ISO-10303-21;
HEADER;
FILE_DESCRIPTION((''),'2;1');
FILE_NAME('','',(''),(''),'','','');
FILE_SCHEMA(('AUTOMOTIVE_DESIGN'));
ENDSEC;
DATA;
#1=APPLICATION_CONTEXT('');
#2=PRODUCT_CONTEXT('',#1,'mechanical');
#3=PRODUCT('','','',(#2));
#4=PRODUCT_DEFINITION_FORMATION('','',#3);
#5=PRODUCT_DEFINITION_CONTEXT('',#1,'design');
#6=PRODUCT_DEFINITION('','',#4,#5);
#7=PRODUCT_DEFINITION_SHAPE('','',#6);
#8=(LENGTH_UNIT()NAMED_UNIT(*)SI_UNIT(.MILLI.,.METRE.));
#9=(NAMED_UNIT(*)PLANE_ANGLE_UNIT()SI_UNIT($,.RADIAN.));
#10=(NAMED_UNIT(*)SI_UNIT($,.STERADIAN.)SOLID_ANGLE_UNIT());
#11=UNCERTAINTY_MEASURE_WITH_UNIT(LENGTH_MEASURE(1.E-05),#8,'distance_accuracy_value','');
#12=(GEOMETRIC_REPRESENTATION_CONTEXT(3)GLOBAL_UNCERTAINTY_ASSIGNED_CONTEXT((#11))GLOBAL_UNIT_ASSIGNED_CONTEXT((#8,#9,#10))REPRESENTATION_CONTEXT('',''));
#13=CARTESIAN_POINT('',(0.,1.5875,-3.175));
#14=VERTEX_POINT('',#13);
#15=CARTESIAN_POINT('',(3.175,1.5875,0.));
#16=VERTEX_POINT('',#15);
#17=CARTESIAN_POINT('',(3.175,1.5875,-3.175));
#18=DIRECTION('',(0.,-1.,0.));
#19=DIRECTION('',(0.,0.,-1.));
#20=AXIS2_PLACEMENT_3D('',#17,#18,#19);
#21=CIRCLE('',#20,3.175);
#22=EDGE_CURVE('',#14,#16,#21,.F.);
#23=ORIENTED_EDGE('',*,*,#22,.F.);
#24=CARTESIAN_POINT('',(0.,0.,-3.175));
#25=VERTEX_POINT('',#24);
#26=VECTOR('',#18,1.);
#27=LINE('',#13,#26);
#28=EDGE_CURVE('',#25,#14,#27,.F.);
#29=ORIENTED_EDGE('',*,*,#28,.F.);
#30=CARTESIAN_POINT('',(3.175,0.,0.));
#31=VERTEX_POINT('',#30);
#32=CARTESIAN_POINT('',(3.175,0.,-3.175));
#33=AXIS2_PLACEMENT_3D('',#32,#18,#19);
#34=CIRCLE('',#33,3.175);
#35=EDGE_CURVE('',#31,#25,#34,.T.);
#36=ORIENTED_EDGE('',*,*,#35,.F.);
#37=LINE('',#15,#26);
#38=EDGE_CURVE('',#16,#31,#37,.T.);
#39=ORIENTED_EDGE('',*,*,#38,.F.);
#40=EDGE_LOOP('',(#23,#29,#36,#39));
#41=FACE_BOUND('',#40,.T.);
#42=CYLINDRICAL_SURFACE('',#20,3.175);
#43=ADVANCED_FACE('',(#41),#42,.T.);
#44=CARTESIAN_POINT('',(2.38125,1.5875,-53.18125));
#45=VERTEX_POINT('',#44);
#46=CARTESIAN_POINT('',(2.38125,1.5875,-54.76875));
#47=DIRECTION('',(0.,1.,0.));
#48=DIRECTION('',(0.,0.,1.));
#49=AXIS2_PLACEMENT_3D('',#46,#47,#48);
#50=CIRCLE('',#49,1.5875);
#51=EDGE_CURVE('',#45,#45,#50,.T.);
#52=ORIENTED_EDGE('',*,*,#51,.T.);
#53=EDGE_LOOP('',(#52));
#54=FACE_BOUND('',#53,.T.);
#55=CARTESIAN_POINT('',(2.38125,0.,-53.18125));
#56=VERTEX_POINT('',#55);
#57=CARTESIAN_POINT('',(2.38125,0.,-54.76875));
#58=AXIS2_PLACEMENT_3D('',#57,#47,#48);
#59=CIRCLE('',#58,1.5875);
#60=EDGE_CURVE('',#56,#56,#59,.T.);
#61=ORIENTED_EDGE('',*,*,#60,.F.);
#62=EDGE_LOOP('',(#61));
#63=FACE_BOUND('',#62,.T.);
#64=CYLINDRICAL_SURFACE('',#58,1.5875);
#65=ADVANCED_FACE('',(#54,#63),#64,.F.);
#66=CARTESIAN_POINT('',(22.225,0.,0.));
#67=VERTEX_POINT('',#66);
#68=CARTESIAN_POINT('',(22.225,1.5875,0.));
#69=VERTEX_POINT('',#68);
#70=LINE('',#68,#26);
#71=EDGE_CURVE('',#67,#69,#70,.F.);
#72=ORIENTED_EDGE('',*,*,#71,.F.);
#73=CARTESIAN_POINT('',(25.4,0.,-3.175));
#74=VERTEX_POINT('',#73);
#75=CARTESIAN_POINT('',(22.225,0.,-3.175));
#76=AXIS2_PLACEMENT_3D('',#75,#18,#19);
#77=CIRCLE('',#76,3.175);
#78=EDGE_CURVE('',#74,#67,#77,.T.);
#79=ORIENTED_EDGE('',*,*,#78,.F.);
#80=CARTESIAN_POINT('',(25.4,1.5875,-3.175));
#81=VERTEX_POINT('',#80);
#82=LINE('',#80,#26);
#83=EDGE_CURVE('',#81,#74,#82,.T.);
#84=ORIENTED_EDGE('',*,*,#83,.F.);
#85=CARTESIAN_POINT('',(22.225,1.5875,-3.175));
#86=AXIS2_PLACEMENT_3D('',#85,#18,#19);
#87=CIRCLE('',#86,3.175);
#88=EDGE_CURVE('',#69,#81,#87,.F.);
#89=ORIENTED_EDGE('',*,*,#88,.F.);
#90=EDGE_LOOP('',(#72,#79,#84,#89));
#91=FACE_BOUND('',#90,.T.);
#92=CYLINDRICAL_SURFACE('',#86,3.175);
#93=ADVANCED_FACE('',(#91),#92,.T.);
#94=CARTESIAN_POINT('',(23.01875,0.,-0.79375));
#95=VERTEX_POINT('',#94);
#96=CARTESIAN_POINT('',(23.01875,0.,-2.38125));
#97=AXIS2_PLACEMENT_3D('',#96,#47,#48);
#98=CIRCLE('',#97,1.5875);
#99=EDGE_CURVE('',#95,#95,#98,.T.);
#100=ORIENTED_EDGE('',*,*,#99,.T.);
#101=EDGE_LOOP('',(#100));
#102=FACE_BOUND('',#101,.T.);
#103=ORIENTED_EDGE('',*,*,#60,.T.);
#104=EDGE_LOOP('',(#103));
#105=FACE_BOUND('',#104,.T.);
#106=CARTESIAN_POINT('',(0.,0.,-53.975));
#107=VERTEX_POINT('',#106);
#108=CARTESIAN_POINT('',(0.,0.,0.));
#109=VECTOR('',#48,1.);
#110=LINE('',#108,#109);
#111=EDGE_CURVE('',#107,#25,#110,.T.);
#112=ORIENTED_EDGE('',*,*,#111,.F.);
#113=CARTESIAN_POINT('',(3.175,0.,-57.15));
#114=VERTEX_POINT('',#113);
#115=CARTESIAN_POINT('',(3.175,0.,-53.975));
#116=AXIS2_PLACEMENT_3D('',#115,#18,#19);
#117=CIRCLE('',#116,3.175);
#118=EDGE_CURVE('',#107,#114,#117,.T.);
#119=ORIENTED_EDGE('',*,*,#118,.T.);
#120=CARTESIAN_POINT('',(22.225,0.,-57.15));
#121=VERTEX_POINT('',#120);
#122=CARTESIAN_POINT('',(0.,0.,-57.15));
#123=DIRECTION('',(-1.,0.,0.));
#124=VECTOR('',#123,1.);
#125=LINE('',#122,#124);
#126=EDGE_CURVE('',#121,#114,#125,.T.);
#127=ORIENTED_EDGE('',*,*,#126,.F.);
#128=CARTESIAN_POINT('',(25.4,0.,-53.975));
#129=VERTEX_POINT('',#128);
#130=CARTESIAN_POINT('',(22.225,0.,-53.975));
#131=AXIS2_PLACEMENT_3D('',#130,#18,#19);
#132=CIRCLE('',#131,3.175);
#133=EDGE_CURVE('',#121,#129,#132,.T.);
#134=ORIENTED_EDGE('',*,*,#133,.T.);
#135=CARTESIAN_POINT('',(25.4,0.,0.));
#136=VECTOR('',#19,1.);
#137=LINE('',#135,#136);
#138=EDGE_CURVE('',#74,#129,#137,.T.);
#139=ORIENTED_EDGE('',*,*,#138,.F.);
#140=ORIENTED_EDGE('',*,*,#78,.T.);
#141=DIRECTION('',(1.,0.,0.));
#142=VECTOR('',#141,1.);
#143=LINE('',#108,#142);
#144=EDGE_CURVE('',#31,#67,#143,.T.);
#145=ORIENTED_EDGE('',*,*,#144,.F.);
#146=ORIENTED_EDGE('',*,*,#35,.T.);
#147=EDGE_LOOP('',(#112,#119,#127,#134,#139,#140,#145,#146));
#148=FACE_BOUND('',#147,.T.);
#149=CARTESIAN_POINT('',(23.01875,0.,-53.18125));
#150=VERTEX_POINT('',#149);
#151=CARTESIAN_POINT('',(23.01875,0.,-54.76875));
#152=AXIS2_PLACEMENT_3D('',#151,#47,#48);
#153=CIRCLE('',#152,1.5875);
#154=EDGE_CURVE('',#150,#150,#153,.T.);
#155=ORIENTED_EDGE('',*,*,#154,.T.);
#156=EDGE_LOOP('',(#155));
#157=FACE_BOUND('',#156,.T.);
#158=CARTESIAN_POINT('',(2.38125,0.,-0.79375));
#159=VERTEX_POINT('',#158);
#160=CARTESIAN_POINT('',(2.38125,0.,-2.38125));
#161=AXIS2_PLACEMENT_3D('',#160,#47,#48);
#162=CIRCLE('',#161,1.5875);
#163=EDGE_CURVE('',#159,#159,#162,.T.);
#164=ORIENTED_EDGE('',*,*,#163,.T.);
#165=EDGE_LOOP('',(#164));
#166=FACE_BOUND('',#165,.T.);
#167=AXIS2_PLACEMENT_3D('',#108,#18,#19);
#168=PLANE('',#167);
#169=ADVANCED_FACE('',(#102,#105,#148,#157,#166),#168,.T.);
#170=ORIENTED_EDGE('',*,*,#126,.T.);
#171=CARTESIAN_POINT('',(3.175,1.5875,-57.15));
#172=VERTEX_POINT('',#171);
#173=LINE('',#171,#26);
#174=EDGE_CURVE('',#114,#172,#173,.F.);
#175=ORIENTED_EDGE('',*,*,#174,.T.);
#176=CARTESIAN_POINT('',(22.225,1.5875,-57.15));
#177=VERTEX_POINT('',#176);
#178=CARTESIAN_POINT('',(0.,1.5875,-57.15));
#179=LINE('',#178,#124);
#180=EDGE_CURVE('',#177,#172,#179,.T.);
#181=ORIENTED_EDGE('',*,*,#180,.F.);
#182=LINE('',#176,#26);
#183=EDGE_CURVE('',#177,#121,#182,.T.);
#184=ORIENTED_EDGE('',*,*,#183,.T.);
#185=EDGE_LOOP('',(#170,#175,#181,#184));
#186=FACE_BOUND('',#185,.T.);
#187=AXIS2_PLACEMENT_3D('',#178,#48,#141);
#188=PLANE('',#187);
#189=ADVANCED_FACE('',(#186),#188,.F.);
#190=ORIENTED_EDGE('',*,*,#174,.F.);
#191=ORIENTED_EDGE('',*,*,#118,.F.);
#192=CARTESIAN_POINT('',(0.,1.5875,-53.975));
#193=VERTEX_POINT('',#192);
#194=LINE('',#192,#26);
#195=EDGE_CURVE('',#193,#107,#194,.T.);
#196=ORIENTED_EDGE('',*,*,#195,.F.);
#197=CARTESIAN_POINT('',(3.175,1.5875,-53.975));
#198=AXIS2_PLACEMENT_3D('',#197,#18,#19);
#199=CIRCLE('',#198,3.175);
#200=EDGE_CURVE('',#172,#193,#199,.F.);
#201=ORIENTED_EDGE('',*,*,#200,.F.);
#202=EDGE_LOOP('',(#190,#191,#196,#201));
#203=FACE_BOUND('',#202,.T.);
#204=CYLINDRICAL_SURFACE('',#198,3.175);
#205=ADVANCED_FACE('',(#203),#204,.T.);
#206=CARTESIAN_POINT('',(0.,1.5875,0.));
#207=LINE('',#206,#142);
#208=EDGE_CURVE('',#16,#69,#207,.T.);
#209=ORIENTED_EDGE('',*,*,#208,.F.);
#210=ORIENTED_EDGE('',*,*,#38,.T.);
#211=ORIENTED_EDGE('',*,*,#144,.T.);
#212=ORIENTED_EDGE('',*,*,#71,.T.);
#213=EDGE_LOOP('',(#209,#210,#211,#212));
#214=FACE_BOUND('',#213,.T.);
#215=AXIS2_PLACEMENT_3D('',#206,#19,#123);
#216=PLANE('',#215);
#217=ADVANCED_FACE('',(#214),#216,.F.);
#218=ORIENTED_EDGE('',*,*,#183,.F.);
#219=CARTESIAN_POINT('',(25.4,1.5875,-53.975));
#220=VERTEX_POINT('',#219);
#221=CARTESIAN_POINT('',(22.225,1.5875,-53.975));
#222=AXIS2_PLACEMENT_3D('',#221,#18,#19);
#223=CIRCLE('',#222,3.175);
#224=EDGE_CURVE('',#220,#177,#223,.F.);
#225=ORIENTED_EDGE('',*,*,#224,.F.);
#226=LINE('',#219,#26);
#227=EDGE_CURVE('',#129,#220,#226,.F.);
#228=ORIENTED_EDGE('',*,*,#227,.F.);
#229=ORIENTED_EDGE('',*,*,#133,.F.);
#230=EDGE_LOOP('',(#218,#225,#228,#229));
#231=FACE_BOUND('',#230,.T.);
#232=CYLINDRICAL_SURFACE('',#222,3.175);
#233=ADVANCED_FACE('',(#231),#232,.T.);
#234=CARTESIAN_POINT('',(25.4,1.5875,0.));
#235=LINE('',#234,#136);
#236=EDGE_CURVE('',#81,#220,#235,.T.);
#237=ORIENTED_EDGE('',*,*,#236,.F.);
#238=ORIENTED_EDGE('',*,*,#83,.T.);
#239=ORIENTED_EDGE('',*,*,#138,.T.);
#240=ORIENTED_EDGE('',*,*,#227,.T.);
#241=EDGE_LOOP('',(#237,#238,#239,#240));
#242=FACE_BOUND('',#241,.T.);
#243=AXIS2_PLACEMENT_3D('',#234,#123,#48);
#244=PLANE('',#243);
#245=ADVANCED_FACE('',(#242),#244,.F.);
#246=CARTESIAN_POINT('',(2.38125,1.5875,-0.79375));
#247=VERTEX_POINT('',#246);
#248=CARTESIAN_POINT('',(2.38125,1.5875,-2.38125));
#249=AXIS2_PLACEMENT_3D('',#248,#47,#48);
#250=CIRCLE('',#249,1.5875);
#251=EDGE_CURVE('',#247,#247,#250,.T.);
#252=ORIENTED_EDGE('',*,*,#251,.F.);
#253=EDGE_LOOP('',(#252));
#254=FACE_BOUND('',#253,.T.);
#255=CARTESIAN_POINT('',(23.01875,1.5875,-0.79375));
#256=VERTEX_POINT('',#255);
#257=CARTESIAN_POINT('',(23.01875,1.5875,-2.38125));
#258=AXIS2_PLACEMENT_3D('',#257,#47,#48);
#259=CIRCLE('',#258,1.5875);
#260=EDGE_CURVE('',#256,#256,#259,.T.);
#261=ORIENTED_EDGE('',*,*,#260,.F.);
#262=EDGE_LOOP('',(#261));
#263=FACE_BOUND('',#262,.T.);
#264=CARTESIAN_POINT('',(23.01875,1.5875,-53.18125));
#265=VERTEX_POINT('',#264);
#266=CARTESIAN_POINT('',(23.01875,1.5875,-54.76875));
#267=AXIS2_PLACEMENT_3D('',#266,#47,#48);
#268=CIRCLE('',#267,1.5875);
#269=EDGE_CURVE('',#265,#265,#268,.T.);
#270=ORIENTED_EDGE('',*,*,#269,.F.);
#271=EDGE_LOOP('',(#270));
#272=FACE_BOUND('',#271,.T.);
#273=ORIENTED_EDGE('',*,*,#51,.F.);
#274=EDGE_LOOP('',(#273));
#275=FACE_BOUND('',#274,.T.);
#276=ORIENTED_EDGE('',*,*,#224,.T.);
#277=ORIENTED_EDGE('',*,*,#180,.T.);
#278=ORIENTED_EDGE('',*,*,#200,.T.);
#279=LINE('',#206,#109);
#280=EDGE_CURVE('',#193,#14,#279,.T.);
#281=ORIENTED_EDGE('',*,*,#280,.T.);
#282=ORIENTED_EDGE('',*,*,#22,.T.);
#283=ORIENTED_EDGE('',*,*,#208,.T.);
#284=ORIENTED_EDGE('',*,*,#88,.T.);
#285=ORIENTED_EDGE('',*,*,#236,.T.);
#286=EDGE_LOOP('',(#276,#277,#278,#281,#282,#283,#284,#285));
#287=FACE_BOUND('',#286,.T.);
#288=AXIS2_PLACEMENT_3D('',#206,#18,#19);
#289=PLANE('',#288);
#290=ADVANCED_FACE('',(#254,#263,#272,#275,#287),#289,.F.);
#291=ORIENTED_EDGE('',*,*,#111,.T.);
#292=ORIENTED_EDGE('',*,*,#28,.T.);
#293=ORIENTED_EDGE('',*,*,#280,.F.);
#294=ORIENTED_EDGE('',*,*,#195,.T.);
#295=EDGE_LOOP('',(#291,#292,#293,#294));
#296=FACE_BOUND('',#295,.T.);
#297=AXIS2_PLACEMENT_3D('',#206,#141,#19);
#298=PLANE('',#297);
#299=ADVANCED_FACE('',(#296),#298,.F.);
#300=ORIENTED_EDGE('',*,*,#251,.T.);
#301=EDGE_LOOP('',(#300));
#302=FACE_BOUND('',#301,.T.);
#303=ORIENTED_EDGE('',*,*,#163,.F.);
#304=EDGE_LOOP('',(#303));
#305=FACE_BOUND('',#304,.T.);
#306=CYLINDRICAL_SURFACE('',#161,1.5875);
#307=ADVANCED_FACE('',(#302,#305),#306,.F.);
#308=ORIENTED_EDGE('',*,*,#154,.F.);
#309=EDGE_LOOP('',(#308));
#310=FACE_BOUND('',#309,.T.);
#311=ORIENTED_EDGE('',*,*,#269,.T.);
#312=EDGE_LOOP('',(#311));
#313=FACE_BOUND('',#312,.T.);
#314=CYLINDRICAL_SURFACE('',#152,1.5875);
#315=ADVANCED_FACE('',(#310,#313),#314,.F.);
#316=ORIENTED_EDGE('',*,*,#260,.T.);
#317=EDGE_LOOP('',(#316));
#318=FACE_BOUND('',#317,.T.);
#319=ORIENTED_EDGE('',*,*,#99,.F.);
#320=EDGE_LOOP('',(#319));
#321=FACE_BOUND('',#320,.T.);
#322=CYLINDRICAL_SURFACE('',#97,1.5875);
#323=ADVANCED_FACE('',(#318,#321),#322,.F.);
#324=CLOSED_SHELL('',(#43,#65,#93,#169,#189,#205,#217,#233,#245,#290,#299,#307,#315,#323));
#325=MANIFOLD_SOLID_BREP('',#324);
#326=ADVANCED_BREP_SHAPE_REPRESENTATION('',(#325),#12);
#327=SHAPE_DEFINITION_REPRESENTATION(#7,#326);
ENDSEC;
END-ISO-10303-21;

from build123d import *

# Parameters (mm, degrees)
SKETCH1_W           = 25.4
SKETCH1_H           = 57.15
BOSS_EXTRUDE1_DEPTH = 1.5875
SKETCH2_R           = 1.5875
CUT_EXTRUDE2_DEPTH  = 2.5875
FILLET1_R           = 3.175


with BuildPart() as part:
    # Sketch1 → Boss-Extrude1 (new body)
    with BuildSketch(Plane(origin=(0, 0, 0), x_dir=(1, 0, 0), z_dir=(0, 1, 0))):
        with Locations((12.7, 28.575)):
            Rectangle(SKETCH1_W, SKETCH1_H)
    extrude(amount=BOSS_EXTRUDE1_DEPTH)

    # Sketch2 → Cut-Extrude2 (cut, through all)
    with BuildSketch(Plane(origin=(0, 1.5875, 0), x_dir=(1, 0, 0), z_dir=(0, 1, 0))):
        with Locations((2.38125, 54.76875)):
            Circle(SKETCH2_R)
        with Locations((23.01875, 54.76875)):
            Circle(SKETCH2_R)
        with Locations((23.01875, 2.38125)):
            Circle(SKETCH2_R)
        with Locations((2.38125, 2.38125)):
            Circle(SKETCH2_R)
    extrude(amount=-CUT_EXTRUDE2_DEPTH, mode=Mode.SUBTRACT)

    # Fillet1
    fillet1_edges = [part.edges().sort_by_distance(p)[0] for p in [
        (0, 0.79375, -57.15),
        (25.4, 0.79375, -57.15),
        (25.4, 0.79375, 0),
        (0, 0.79375, 0),
    ]]
    fillet(fillet1_edges, radius=FILLET1_R)


solid = part.part
